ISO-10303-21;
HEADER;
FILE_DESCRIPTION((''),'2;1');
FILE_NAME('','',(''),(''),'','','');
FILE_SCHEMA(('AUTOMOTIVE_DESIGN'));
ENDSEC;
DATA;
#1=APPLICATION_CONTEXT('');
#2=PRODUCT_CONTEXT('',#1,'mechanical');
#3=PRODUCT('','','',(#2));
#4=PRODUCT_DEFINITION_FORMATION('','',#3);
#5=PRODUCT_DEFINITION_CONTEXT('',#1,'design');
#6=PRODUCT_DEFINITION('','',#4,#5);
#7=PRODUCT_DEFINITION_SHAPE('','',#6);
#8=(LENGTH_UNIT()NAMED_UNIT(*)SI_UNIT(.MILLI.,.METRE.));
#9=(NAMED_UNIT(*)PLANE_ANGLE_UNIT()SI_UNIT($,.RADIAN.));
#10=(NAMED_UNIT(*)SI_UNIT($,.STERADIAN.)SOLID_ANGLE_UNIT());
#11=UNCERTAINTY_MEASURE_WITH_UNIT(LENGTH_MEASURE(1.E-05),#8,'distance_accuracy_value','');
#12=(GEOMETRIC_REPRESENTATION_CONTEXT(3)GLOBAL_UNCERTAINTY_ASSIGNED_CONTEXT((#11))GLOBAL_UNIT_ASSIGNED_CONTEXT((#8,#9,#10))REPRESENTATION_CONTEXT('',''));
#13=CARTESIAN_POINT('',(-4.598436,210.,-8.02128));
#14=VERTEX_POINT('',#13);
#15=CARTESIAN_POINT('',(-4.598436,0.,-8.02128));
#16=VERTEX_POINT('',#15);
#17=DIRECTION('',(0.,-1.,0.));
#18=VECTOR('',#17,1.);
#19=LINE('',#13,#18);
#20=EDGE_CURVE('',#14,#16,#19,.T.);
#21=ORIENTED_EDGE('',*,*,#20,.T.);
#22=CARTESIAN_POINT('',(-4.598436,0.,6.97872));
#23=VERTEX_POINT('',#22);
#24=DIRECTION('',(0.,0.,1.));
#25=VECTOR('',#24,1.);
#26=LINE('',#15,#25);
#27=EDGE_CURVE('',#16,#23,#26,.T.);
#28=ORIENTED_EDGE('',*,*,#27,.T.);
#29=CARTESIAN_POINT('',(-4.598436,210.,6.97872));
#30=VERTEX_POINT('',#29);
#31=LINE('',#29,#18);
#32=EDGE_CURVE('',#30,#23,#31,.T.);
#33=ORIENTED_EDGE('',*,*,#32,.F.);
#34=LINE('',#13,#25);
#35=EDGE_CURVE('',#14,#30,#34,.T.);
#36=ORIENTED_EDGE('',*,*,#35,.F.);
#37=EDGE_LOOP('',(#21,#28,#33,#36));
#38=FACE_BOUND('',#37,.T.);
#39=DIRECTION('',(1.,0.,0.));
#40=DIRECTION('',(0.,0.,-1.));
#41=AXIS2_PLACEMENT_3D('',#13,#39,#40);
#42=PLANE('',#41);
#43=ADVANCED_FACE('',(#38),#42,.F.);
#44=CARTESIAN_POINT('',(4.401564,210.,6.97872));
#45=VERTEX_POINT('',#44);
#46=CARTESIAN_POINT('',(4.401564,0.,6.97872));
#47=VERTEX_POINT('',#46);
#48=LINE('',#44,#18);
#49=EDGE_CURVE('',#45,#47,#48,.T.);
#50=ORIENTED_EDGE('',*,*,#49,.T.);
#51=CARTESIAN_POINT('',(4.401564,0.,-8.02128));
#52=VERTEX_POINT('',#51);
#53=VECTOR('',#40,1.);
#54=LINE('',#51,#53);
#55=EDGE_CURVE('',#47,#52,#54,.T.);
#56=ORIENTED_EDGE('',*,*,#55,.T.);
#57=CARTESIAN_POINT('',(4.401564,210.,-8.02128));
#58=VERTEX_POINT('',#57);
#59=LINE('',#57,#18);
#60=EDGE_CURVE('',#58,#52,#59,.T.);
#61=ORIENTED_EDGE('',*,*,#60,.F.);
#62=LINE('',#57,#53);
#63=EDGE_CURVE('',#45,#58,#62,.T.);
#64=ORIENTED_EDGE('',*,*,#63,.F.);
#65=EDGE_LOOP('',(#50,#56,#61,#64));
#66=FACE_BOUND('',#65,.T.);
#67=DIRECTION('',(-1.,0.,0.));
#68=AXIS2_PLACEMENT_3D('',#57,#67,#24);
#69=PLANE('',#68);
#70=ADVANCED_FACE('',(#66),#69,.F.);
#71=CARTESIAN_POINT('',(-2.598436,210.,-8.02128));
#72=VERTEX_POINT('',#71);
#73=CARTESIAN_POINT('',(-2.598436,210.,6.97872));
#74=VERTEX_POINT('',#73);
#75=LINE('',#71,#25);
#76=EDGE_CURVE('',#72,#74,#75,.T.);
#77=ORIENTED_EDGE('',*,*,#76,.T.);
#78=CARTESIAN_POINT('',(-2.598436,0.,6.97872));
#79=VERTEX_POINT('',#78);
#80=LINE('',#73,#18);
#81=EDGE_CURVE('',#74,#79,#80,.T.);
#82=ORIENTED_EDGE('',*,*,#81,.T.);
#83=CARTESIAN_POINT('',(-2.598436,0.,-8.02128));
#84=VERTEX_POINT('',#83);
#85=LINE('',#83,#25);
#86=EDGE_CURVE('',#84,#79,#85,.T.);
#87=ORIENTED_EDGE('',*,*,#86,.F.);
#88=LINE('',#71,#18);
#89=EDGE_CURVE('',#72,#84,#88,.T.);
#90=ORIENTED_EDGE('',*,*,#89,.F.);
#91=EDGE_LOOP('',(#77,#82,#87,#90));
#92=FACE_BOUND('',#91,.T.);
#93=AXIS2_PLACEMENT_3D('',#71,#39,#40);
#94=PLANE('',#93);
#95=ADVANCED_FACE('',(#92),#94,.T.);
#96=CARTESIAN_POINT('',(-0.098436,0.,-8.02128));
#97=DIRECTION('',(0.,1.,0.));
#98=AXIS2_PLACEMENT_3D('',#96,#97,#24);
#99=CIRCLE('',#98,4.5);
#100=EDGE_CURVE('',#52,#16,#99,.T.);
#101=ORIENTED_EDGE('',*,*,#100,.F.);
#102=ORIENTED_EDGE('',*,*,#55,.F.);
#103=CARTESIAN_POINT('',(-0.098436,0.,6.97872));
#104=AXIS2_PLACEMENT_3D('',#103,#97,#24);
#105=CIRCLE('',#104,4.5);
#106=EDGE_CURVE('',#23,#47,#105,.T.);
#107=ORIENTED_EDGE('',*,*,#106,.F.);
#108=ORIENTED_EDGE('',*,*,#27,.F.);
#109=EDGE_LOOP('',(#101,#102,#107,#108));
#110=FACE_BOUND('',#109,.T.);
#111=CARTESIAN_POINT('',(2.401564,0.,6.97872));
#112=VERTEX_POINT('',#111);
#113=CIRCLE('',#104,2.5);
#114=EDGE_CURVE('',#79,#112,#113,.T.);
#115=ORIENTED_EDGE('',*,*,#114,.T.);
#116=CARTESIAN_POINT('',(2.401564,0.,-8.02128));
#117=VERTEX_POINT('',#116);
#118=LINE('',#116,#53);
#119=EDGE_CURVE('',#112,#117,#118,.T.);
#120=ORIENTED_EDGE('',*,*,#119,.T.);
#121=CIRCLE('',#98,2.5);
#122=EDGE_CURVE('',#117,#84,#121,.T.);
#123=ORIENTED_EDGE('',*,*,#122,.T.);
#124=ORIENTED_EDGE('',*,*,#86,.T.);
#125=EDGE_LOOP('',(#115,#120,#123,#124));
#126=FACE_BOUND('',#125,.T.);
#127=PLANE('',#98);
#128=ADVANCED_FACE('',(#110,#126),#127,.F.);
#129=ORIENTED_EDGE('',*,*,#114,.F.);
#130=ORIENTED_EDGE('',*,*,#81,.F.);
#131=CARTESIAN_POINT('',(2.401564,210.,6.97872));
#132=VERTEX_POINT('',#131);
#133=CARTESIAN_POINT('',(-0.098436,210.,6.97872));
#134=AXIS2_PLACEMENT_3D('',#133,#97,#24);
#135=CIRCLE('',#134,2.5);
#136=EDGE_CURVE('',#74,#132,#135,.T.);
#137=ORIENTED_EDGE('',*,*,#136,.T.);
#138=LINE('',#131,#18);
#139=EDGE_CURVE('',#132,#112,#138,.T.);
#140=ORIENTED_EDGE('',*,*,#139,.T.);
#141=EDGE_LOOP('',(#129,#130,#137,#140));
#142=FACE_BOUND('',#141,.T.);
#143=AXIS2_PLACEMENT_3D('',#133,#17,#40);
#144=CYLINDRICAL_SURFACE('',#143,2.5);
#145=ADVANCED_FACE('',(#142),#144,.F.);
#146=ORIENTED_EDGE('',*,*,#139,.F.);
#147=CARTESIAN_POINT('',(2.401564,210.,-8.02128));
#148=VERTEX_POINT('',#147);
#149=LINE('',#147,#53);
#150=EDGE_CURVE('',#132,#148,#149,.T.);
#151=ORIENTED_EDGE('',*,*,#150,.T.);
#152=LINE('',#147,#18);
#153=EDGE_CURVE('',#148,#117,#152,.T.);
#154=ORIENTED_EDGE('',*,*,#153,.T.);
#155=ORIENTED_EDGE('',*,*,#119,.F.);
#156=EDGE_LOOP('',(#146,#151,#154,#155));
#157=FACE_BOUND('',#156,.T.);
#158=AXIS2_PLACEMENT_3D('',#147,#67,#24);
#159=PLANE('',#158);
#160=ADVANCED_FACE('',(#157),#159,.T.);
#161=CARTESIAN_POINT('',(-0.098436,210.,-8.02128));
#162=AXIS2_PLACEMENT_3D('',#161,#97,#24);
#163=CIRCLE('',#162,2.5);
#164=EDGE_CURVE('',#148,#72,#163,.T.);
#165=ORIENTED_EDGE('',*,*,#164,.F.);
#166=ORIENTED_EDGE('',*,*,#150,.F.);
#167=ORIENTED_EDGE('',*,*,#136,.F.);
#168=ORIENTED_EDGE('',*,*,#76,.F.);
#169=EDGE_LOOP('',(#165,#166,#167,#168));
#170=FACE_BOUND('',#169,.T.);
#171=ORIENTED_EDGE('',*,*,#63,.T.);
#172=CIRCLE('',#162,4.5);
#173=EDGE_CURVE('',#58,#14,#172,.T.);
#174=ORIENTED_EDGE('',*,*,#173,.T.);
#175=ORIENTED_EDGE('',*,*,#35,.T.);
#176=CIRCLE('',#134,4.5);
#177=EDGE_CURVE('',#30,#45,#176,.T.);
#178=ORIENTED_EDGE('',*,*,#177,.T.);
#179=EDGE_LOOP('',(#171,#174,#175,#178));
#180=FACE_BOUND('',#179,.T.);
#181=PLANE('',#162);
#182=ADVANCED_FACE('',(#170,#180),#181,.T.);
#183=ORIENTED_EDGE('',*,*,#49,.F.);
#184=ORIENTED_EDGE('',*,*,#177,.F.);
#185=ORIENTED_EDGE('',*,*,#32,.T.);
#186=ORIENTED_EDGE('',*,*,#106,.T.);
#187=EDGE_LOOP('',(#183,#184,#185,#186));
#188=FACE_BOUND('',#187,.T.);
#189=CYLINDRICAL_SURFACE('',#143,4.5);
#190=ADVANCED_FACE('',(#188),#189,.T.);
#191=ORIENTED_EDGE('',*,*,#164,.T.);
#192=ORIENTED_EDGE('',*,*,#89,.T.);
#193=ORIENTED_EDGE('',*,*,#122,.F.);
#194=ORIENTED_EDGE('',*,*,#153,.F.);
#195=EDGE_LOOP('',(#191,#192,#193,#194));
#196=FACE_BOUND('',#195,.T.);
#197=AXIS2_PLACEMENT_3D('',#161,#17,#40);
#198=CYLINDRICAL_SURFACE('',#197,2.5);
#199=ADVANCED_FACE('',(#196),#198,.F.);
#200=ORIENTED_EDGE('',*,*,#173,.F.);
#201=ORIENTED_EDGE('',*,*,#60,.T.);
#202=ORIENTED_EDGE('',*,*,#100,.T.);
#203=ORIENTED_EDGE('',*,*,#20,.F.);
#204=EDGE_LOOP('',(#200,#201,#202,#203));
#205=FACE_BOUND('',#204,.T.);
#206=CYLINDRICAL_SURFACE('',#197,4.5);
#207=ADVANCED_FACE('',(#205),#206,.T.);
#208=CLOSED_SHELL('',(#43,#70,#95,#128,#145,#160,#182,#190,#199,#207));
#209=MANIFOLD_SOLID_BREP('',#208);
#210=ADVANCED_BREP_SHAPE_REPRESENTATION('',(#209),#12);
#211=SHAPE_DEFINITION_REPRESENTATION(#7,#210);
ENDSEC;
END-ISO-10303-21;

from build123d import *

# Parameters (mm, degrees)
BOSS_EXTRUDE1_DEPTH = 210


with BuildPart() as part:
    # Sketch2 → Boss-Extrude1 (new body)
    with BuildSketch(Plane(origin=(0, 0, 0), x_dir=(1, 0, 0), z_dir=(0, 1, 0))):
        with BuildLine():
            Line((-4.598436238, 8.02128028), (-4.598436238, -6.97871972))
            ThreePointArc((-4.598436238, -6.97871972), (-0.098436238, -11.47871972), (4.401563762, -6.97871972))
            Line((4.401563762, -6.97871972), (4.401563762, 8.02128028))
            ThreePointArc((4.401563762, 8.02128028), (-0.098436238, 12.52128028), (-4.598436238, 8.02128028))
        make_face()
        with BuildLine():
            Line((-2.598436238, 8.02128028), (-2.598436238, -6.97871972))
            ThreePointArc((-2.598436238, -6.97871972), (-0.098436238, -9.47871972), (2.401563762, -6.97871972))
            Line((2.401563762, -6.97871972), (2.401563762, 8.02128028))
            ThreePointArc((2.401563762, 8.02128028), (-0.098436238, 10.52128028), (-2.598436238, 8.02128028))
        make_face(mode=Mode.SUBTRACT)
    extrude(amount=BOSS_EXTRUDE1_DEPTH)


solid = part.part
